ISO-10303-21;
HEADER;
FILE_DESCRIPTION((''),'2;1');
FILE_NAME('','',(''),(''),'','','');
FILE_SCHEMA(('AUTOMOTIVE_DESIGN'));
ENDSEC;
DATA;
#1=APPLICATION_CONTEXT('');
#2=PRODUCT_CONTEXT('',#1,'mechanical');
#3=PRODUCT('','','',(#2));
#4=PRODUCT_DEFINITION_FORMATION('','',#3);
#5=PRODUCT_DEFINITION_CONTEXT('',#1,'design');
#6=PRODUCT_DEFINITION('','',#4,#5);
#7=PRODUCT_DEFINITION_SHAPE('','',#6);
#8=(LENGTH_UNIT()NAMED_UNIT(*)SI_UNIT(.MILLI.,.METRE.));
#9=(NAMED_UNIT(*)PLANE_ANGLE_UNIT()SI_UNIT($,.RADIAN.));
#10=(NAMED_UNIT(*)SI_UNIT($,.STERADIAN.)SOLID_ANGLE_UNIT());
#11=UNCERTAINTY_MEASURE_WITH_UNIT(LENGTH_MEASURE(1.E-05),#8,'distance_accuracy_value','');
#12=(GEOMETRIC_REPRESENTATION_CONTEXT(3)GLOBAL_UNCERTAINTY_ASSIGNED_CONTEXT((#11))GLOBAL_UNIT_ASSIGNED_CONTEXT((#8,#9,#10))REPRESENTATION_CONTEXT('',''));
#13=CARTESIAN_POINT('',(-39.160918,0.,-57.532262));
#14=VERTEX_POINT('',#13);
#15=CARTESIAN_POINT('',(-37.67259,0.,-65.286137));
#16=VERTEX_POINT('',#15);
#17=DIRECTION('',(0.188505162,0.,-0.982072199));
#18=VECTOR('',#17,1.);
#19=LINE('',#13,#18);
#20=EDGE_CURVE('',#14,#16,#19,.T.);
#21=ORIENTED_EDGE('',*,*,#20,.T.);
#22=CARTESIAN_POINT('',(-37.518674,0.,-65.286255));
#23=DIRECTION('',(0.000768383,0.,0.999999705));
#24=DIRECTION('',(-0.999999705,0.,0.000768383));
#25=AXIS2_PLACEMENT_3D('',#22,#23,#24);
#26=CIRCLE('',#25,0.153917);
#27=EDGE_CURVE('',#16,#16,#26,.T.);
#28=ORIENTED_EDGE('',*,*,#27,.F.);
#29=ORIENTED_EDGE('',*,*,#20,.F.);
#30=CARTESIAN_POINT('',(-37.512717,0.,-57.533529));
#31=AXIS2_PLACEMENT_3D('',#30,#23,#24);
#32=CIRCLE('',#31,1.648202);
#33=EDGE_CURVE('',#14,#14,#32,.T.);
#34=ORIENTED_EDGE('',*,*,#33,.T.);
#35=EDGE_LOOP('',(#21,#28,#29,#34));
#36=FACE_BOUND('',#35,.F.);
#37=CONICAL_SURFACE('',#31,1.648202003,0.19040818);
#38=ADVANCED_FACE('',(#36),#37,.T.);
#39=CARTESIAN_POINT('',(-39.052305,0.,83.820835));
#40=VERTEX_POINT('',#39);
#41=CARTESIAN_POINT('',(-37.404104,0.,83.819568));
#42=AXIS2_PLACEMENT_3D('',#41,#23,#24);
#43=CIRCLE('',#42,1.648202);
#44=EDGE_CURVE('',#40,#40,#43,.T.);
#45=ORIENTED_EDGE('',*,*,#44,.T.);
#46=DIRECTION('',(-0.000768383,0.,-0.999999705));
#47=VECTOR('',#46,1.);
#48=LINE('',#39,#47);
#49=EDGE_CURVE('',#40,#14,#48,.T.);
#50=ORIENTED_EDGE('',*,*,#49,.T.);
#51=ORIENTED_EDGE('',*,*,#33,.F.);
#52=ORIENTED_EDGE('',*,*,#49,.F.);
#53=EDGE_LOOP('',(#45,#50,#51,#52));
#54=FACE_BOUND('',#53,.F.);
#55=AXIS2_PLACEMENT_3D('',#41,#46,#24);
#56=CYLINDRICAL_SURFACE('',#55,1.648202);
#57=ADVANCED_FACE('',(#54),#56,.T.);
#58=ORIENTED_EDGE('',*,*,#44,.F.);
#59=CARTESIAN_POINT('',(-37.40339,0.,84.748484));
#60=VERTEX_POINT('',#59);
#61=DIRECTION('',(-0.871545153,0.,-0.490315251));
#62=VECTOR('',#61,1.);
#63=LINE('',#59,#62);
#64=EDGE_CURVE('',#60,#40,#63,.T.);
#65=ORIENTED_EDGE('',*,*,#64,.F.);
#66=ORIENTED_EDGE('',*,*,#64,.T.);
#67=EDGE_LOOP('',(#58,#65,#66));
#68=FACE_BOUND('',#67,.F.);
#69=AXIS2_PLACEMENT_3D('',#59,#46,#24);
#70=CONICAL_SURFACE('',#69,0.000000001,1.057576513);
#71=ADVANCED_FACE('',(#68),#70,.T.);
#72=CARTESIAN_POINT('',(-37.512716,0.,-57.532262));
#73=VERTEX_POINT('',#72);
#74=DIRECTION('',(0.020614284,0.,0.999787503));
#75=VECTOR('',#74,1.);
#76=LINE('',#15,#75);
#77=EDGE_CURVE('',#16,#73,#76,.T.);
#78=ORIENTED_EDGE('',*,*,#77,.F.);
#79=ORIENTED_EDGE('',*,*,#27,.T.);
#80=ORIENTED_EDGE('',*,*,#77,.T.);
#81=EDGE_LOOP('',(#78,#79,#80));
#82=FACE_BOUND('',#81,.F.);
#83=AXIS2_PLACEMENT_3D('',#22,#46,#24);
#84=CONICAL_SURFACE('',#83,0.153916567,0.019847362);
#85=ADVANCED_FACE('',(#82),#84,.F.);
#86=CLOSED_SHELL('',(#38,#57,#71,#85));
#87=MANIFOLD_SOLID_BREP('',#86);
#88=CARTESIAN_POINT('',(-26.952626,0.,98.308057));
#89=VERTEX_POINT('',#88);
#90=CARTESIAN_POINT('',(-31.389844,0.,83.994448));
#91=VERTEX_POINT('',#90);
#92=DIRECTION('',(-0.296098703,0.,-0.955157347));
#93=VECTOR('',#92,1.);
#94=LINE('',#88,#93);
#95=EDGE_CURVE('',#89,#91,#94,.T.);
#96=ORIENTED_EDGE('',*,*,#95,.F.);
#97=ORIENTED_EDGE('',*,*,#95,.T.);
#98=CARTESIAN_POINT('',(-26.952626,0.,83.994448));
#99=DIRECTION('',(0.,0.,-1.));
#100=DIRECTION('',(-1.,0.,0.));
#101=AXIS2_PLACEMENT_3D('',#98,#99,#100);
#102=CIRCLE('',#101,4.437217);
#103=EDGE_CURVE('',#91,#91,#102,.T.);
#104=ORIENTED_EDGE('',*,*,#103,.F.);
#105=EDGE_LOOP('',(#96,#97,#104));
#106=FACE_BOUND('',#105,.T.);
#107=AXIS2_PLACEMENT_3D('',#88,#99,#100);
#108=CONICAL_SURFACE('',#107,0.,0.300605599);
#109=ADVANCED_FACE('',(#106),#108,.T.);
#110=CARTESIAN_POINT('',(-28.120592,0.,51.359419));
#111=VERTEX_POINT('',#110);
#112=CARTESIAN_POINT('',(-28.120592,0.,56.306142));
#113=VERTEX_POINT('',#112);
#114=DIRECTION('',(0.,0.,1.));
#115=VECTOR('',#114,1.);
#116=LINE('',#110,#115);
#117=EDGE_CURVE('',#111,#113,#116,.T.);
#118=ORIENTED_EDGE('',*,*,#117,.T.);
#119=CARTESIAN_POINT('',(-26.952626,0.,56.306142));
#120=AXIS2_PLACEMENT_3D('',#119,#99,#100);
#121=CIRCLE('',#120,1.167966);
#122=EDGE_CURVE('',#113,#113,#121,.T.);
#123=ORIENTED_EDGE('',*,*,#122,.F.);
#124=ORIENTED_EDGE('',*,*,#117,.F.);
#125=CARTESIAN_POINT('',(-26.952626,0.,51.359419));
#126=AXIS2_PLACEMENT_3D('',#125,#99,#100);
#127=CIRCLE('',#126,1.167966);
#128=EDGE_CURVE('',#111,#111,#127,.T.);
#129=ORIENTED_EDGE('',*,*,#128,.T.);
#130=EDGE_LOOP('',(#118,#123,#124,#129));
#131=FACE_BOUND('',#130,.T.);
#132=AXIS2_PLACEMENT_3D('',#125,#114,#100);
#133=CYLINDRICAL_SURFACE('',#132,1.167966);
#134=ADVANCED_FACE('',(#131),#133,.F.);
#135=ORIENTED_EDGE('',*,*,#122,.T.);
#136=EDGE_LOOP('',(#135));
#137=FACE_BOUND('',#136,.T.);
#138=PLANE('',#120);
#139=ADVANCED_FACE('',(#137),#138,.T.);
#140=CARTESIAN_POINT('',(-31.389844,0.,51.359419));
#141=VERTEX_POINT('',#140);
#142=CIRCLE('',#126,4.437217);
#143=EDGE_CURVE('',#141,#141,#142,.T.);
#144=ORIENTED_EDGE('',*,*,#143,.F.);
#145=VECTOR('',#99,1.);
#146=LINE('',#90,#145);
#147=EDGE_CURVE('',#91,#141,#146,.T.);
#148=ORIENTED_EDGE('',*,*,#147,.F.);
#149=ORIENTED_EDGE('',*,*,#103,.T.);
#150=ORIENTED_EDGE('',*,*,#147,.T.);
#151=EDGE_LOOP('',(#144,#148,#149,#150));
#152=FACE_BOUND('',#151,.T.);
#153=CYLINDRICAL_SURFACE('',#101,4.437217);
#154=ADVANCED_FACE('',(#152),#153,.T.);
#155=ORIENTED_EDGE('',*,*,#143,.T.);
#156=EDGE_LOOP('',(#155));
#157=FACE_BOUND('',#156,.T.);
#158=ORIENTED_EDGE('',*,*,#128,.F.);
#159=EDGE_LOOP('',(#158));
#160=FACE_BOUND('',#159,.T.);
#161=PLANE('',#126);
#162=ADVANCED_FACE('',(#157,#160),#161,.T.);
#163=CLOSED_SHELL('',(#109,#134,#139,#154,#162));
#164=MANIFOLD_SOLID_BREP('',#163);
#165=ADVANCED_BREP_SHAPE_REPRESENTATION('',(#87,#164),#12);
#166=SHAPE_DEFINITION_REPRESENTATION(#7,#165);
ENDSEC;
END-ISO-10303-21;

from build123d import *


with BuildPart() as f1:
    # F0 (on Front) → F1 (revolve)
    with BuildSketch(Plane.XZ):
        Polygon((-39.0523050919, 83.8208348272), (-39.1609183963, -57.5322620571), (-37.6725904644, -65.2861371636), (-37.5127159059, -57.5322620571), (-37.4033898115, 84.7484841943), align=None)
    revolve(axis=Axis((-37.4580528587, 0, 13.6081110686), (0.0007683827, 0, 0.9999997048)))


with BuildPart() as f3:
    # F2 (on Front) → F3 (revolve)
    with BuildSketch(Plane.XZ):
        Polygon((-26.9526261836, 98.3080565929), (-31.3898436725, 83.994448185), (-31.3898436725, 51.3594187796), (-28.1205922365, 51.3594187796), (-28.1205922365, 56.30614236), (-26.9526261836, 56.30614236), (-26.9526261836, 83.994448185), align=None)
    revolve(axis=Axis((-26.9526261836, 0, 70.1502952725), (0, 0, -1)))


solid = Compound([f1.part, f3.part])
